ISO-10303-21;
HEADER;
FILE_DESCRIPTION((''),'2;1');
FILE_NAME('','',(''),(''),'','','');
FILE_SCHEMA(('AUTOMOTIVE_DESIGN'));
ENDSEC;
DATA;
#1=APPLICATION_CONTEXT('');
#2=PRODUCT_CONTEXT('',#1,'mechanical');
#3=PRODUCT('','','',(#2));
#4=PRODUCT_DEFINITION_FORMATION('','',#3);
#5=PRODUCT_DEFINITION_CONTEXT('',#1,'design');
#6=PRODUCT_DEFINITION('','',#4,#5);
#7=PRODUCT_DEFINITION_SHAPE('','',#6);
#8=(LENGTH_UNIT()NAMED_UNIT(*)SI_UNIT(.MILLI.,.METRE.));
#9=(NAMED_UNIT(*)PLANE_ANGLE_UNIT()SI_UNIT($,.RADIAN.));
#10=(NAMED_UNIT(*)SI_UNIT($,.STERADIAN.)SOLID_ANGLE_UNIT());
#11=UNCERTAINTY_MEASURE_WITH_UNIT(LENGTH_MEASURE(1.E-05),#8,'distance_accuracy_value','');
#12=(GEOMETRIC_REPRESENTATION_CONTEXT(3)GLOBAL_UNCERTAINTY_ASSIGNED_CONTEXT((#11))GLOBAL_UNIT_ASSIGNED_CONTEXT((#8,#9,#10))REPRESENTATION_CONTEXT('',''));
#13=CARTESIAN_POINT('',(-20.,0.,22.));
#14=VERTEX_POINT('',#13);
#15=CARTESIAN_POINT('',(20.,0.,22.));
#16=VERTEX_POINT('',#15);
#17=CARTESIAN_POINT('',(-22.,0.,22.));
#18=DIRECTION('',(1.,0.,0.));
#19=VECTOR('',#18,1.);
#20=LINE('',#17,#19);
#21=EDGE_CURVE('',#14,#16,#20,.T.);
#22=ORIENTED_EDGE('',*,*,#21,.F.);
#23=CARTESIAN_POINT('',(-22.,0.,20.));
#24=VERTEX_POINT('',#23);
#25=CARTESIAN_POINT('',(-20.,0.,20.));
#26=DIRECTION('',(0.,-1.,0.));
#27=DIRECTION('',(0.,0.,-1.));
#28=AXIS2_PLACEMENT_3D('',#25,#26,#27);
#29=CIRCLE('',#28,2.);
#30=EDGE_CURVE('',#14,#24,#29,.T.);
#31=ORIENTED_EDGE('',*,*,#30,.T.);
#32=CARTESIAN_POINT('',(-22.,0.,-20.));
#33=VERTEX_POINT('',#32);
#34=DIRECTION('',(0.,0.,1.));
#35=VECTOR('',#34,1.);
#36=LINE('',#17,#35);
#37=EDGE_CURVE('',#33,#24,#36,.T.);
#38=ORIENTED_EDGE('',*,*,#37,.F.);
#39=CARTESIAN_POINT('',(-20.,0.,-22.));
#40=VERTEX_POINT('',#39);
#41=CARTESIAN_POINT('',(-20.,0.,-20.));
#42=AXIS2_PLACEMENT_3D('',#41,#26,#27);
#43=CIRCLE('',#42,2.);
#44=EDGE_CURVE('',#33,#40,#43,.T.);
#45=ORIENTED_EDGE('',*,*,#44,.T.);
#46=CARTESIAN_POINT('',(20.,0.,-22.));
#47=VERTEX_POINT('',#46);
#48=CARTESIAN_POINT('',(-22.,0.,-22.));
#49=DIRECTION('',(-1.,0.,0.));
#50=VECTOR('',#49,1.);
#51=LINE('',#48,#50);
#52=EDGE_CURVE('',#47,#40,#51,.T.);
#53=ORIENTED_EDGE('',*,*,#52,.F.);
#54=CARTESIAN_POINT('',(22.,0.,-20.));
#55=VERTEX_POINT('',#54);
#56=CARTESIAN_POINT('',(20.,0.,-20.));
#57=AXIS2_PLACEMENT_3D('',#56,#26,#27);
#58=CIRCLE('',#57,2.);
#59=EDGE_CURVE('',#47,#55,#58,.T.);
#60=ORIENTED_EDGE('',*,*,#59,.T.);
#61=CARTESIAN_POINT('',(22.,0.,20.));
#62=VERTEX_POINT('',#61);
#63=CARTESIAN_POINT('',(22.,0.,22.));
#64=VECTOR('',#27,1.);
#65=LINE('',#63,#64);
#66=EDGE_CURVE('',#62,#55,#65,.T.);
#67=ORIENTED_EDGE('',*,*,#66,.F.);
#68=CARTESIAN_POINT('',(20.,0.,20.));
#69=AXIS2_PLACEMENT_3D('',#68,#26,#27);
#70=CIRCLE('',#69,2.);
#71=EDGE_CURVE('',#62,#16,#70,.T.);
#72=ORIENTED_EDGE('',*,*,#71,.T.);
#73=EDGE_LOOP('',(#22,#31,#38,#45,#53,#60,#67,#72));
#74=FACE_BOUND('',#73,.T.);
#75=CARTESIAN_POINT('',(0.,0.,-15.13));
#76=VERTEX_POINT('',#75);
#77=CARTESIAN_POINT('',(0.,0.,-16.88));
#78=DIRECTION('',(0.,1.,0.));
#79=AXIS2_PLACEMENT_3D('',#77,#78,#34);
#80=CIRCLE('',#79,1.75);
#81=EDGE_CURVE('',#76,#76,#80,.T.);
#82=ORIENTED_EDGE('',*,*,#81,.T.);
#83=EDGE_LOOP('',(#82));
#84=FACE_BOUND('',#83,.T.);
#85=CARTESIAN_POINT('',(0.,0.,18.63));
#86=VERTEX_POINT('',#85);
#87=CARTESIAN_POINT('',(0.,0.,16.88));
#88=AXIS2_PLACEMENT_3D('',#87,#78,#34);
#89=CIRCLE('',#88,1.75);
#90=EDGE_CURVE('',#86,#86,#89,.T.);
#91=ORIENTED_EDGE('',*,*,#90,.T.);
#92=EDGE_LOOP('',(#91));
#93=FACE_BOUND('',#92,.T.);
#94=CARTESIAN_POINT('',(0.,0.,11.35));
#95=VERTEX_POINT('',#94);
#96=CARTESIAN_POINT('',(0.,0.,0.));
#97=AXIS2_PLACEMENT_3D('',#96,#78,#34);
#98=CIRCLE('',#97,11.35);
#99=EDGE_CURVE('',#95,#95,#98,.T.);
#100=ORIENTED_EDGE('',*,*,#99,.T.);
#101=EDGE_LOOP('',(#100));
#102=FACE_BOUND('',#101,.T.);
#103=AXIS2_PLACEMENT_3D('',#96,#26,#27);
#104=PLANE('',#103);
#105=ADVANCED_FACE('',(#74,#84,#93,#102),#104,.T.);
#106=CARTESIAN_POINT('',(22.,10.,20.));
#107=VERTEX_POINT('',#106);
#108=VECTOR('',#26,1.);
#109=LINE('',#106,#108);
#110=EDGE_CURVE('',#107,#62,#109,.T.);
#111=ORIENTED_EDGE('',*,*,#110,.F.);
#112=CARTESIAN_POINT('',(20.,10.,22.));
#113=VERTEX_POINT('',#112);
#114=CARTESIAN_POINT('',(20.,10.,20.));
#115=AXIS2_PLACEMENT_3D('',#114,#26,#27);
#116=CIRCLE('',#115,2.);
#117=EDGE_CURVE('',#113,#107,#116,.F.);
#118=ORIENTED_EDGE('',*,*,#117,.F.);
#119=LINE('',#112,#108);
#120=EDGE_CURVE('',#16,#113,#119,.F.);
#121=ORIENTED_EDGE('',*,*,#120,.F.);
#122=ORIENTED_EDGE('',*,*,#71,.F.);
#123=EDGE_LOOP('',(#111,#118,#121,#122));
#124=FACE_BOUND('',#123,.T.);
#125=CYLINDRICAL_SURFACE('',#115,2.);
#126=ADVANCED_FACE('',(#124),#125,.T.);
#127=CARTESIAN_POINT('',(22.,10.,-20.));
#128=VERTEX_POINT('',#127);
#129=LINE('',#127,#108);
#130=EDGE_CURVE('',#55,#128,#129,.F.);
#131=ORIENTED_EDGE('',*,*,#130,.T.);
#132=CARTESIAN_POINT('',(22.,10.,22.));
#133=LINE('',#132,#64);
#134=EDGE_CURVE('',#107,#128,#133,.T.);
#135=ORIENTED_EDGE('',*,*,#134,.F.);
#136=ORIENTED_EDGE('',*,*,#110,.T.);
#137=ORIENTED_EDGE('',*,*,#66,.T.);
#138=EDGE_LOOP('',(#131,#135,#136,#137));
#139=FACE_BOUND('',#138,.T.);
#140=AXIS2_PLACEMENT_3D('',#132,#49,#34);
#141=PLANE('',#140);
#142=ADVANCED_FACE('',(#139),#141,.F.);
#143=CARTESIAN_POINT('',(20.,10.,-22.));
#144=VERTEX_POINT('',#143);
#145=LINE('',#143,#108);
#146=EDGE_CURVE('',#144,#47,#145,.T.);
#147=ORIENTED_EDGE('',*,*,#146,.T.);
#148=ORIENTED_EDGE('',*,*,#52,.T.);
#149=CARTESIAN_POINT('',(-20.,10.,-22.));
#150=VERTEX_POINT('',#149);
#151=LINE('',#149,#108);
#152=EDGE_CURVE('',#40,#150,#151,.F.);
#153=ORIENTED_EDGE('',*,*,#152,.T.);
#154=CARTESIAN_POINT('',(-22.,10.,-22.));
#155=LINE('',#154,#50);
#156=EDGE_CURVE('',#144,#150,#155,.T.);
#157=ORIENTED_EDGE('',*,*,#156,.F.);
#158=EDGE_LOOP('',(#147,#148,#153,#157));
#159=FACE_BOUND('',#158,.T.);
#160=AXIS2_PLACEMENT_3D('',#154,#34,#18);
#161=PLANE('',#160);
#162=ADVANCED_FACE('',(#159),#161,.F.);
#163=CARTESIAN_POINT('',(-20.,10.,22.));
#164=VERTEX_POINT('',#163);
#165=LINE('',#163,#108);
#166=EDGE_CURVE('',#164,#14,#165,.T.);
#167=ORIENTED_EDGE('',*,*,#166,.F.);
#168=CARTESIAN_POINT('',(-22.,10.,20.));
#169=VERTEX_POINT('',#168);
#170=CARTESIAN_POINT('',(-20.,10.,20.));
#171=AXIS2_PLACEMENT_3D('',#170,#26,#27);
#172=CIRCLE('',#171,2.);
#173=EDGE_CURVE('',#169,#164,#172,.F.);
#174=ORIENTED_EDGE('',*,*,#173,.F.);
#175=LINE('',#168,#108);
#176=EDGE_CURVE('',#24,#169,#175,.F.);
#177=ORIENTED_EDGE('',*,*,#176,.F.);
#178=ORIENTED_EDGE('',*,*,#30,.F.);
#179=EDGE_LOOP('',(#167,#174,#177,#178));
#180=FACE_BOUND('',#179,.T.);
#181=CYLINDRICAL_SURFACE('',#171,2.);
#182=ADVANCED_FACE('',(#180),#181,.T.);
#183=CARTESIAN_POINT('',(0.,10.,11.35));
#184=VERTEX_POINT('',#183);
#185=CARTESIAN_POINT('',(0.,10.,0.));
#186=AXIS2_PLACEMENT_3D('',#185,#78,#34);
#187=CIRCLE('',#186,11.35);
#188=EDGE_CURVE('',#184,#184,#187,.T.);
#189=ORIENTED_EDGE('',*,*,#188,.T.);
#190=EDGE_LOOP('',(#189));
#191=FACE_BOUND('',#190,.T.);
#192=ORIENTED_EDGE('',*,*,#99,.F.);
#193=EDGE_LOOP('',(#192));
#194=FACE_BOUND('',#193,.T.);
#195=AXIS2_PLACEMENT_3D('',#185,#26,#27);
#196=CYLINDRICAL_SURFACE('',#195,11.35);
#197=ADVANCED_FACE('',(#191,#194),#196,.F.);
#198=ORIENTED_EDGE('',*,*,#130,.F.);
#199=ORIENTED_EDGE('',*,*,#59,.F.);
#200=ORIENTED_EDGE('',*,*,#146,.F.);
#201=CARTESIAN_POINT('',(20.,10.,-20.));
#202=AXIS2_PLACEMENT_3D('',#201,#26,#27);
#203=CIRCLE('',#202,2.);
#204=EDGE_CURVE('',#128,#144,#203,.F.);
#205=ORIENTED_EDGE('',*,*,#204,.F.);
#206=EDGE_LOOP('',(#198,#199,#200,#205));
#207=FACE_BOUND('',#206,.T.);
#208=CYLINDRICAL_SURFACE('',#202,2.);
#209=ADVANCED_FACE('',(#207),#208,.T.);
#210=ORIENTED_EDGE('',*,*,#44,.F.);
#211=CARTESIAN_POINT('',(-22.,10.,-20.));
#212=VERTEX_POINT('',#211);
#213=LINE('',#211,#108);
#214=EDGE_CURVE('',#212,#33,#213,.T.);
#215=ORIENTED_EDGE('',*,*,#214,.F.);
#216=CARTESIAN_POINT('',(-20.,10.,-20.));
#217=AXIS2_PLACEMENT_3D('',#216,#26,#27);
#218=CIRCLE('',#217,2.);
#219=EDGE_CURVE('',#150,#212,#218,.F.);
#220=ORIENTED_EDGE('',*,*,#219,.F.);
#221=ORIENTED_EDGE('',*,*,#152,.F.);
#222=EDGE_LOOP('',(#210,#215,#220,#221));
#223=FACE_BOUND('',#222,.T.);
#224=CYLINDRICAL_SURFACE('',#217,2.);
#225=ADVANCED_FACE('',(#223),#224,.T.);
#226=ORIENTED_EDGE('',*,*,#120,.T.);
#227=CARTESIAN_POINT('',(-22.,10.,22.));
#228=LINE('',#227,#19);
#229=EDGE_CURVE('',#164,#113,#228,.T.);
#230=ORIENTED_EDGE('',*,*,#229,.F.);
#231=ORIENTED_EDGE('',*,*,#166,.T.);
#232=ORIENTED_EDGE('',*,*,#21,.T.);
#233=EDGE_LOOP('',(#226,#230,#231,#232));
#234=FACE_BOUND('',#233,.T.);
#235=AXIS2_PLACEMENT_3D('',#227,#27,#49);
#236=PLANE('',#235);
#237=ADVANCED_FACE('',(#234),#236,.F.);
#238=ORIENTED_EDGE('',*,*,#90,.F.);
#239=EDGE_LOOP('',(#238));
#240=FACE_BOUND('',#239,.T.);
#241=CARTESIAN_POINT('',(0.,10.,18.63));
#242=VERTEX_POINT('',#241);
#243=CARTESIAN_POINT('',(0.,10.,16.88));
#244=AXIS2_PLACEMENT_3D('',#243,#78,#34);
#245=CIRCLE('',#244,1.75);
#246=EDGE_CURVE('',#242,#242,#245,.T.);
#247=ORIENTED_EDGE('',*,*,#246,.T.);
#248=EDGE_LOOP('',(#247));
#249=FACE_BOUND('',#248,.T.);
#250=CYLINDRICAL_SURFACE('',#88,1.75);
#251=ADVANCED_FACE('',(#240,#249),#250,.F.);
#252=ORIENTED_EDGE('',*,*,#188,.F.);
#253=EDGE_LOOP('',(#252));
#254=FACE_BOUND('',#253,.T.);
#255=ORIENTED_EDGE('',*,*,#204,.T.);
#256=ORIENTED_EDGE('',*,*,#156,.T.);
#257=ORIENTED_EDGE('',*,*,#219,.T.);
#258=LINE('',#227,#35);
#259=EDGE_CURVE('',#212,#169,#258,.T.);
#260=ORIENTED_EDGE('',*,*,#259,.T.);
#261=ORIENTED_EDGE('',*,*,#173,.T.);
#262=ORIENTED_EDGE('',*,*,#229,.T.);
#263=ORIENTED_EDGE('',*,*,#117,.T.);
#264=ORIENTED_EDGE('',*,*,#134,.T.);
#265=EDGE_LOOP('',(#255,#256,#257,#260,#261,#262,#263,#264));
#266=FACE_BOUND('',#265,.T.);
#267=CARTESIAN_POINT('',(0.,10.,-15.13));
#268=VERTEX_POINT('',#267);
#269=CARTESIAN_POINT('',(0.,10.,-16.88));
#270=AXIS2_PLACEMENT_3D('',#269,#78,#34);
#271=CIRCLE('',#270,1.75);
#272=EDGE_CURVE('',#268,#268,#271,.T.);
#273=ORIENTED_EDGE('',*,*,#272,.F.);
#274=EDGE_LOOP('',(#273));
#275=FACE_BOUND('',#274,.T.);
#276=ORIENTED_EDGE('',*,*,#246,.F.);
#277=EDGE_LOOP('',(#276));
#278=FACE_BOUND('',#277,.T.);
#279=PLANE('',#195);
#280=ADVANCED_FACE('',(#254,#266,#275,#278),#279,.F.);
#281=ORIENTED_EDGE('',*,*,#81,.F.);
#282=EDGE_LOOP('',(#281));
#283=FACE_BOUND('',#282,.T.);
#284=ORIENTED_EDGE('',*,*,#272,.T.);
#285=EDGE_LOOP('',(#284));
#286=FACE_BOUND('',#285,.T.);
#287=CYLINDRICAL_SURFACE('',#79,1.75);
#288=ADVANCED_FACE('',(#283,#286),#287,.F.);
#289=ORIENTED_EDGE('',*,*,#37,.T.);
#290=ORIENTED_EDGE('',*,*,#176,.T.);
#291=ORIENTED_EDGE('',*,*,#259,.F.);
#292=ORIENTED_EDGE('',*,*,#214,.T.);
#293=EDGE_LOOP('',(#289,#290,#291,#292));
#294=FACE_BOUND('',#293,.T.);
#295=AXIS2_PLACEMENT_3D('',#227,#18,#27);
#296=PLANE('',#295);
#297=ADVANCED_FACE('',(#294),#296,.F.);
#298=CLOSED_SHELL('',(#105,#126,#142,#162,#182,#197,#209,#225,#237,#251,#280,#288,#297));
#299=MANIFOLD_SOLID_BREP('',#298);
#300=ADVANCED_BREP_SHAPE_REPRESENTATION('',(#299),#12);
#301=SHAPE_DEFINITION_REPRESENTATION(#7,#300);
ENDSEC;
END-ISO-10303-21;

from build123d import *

# Parameters (mm, degrees)
CROQUIS1_W              = 44
CROQUIS1_H              = 44
CROQUIS1_R              = 11.35
SALIENTE_EXTRUIR1_DEPTH = 10
CROQUIS2_R              = 1.75
CORTAR_EXTRUIR1_DEPTH   = 33.680269277
REDONDEO1_R             = 2


with BuildPart() as part:
    # Croquis1 → Saliente-Extruir1 (new body)
    with BuildSketch(Plane(origin=(0, 0, 0), x_dir=(1, 0, 0), z_dir=(0, 1, 0))):
        Rectangle(CROQUIS1_W, CROQUIS1_H)
        with Locations(Location((0, 0, 0), (0, 0, 270))):
            Circle(CROQUIS1_R, mode=Mode.SUBTRACT)
    extrude(amount=SALIENTE_EXTRUIR1_DEPTH)

    # Croquis2 → Cortar-Extruir1 (cut, through all)
    with BuildSketch(Plane(origin=(0, 10, 0), x_dir=(1, 0, 0), z_dir=(0, 1, 0))):
        with Locations(Location((0, 16.88, 0), (0, 0, 270))):
            Circle(CROQUIS2_R)
        with Locations(Location((0, -16.88, 0), (0, 0, 270))):
            Circle(CROQUIS2_R)
    extrude(amount=-CORTAR_EXTRUIR1_DEPTH, mode=Mode.SUBTRACT)

    # Redondeo1
    redondeo1_edges = [part.edges().sort_by_distance(p)[0] for p in [
        (22, 5, 22),
        (-22, 5, 22),
        (-22, 5, -22),
        (22, 5, -22),
    ]]
    fillet(redondeo1_edges, radius=REDONDEO1_R)


solid = part.part
